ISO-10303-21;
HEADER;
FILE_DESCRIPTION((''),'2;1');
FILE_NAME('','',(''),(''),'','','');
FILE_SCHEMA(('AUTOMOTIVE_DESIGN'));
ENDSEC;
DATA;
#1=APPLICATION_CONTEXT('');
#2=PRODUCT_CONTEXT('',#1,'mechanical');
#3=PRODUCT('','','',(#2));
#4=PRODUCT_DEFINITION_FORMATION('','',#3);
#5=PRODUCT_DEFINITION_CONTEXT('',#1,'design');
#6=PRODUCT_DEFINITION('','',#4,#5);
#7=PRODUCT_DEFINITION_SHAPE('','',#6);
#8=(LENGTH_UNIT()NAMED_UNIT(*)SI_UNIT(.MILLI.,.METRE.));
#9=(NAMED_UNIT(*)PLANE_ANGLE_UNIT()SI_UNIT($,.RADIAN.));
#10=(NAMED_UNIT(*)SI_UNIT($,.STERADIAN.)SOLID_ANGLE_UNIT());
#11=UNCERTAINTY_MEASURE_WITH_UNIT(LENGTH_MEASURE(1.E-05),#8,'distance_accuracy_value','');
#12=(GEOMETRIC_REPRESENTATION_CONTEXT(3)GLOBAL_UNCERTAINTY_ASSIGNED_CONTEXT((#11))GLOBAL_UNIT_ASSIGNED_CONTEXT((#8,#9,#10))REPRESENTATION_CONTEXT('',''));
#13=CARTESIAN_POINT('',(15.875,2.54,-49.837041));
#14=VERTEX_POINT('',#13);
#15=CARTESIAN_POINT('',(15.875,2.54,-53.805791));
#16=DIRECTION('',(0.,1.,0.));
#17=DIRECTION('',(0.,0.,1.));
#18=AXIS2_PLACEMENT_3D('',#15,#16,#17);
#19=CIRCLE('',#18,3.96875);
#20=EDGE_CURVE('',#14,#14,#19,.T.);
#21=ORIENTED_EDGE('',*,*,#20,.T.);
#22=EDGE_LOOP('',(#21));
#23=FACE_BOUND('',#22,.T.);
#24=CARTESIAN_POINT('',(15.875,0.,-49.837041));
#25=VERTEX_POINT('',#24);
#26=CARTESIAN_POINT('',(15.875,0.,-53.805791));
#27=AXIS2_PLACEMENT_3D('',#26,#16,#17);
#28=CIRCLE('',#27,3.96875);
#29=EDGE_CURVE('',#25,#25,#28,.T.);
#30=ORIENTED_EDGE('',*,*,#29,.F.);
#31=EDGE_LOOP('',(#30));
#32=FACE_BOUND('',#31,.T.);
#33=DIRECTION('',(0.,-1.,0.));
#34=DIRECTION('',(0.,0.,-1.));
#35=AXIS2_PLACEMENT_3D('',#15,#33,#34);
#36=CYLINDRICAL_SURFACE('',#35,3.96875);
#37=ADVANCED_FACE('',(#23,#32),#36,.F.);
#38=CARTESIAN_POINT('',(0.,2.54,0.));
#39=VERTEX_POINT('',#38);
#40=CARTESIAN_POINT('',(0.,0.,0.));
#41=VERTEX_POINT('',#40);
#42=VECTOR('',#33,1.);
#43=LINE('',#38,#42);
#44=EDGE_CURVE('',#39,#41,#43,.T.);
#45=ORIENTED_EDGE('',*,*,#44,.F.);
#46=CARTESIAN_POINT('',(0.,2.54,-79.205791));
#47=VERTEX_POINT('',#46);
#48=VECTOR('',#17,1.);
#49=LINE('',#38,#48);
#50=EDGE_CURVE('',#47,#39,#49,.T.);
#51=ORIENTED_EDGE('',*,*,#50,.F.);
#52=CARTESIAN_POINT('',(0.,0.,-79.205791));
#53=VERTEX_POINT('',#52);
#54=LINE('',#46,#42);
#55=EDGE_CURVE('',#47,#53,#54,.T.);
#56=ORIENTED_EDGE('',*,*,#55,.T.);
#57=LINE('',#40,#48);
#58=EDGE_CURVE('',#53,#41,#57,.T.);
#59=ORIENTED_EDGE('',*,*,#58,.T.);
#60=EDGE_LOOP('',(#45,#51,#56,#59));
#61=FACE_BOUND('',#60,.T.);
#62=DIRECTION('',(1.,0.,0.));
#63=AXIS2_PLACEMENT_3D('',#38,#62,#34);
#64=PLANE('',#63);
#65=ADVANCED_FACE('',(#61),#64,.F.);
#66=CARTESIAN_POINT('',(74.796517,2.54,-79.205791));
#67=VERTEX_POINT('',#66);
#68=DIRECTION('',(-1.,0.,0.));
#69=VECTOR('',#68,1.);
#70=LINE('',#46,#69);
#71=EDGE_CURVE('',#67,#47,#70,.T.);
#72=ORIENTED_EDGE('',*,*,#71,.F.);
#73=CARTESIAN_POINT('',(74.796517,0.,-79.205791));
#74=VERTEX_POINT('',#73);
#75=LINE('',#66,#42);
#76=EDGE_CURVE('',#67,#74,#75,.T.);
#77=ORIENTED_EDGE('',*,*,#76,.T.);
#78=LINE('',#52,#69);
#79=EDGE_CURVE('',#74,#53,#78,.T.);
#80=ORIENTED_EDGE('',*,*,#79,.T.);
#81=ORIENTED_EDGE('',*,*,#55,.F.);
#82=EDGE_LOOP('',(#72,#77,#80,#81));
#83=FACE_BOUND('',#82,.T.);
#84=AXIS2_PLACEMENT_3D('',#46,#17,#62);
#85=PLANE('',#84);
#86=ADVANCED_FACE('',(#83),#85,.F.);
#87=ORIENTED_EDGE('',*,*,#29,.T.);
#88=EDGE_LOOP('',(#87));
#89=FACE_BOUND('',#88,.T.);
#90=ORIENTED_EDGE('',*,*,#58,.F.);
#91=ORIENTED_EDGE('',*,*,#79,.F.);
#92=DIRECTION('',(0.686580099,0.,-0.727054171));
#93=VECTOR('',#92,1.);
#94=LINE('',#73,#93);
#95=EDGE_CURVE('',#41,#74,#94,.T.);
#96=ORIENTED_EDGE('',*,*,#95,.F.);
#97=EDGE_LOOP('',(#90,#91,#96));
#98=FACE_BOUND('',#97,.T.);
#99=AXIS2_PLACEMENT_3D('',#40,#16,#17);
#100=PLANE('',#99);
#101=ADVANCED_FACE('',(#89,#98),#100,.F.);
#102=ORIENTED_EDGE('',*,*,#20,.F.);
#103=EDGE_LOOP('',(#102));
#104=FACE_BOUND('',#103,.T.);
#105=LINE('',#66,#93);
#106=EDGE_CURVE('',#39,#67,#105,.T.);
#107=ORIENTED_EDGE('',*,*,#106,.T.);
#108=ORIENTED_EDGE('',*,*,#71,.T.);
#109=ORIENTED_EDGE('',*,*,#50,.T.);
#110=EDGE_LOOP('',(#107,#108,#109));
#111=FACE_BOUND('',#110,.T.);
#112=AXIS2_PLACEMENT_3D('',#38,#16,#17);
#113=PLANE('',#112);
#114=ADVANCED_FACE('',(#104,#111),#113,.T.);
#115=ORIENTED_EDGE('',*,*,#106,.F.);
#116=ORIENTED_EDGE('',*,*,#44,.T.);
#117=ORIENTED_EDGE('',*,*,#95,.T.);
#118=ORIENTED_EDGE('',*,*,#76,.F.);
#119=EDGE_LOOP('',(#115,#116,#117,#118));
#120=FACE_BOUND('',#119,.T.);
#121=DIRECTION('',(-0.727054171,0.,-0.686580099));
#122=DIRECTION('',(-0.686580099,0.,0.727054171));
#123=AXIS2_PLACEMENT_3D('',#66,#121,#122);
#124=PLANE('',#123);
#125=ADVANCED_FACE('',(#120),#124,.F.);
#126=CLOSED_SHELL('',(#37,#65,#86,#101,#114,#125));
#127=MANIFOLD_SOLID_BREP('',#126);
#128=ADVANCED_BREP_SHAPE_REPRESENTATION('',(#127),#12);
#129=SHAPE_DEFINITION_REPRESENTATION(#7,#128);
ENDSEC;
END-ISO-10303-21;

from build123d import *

# Parameters (mm, degrees)
SKETCH1_R           = 3.96875
BOSS_EXTRUDE1_DEPTH = 2.54


with BuildPart() as part:
    # Sketch1 → Boss-Extrude1 (new body)
    with BuildSketch(Plane(origin=(0, 0, 0), x_dir=(1, 0, 0), z_dir=(0, 1, 0))):
        Polygon((0, 0), (0, 79.205790537), (74.7965167, 79.205790537), align=None)
        with Locations((15.875, 53.805790537)):
            Circle(SKETCH1_R, mode=Mode.SUBTRACT)
    extrude(amount=BOSS_EXTRUDE1_DEPTH)


solid = part.part
